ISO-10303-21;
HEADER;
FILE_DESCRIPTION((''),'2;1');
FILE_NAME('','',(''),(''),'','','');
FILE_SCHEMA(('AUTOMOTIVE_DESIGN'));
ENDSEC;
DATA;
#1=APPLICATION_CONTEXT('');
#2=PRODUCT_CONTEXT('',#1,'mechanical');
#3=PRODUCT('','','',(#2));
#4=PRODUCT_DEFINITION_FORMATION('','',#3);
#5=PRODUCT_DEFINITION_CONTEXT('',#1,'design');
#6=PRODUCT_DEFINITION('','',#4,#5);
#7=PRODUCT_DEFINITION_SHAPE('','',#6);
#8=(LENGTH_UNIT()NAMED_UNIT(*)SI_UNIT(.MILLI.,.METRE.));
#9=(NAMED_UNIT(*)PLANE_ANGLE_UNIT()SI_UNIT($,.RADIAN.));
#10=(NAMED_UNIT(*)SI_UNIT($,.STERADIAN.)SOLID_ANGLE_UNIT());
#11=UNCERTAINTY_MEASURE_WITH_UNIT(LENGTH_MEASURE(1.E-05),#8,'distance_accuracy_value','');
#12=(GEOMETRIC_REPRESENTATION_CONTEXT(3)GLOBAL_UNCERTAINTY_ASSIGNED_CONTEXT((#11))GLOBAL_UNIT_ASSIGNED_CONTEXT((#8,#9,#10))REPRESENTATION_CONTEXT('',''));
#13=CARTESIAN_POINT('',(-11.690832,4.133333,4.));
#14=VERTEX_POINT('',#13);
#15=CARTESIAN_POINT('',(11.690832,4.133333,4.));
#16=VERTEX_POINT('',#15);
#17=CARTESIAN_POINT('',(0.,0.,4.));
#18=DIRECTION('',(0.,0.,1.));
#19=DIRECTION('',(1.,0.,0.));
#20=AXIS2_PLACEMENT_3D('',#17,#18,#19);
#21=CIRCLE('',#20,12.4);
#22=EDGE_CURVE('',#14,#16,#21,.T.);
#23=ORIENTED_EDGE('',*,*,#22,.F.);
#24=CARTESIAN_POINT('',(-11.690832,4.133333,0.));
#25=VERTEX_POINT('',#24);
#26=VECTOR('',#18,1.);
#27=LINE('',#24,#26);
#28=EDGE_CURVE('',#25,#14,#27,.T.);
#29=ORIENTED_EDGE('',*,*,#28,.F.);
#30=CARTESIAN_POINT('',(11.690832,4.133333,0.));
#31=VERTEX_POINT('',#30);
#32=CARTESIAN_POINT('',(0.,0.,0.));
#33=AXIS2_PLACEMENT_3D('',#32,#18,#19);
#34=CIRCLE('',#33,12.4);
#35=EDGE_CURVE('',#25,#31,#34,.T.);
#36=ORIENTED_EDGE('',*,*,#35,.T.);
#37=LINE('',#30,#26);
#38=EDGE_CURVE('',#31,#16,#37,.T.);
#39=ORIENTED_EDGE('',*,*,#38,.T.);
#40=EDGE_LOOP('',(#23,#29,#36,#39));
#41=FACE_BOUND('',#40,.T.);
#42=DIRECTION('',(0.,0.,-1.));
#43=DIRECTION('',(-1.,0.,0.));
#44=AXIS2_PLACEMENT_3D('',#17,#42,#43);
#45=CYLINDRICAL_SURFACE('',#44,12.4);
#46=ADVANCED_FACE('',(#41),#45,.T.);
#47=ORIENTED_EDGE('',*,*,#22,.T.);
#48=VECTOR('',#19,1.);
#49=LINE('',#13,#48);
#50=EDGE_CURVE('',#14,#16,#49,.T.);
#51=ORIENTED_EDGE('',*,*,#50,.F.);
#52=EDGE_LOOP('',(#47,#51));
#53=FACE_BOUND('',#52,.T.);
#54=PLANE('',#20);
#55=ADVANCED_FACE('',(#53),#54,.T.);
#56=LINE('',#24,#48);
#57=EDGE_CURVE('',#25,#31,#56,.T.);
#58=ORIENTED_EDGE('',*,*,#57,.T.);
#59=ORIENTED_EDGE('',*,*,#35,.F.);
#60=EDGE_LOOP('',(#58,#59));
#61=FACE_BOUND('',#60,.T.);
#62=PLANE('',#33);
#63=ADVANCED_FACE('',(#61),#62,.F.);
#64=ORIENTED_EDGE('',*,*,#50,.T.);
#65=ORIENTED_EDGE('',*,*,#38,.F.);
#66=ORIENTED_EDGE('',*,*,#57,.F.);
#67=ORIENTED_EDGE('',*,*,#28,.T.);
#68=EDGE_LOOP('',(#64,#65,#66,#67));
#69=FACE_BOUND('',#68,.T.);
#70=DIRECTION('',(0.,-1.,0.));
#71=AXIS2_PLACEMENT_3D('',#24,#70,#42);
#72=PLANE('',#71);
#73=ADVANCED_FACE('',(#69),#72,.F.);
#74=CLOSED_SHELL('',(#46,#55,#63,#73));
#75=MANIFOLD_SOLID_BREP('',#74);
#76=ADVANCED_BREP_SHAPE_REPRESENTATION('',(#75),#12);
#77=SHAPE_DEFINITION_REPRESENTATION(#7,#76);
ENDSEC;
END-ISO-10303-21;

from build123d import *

# Parameters (mm, degrees)
SKETCH1_R           = 12.4
BOSS_EXTRUDE1_DEPTH = 4
CUT_EXTRUDE1_START  = -4
CUT_EXTRUDE1_DEPTH  = 4


with BuildPart() as part:
    # Sketch1 → Boss-Extrude1 (new body)
    with BuildSketch(Plane.XY):
        Circle(SKETCH1_R)
    extrude(amount=BOSS_EXTRUDE1_DEPTH)

    # Sketch2 → Cut-Extrude1 (cut)
    with BuildSketch(Plane.XY.offset(4).offset(CUT_EXTRUDE1_START)):
        with BuildLine():
            Line((-11.690832116, 4.133333333), (11.690832116, 4.133333333))
            ThreePointArc((11.690832116, 4.133333333), (0, 12.4), (-11.690832116, 4.133333333))
        make_face()
    extrude(amount=CUT_EXTRUDE1_DEPTH, mode=Mode.SUBTRACT)


solid = part.part
